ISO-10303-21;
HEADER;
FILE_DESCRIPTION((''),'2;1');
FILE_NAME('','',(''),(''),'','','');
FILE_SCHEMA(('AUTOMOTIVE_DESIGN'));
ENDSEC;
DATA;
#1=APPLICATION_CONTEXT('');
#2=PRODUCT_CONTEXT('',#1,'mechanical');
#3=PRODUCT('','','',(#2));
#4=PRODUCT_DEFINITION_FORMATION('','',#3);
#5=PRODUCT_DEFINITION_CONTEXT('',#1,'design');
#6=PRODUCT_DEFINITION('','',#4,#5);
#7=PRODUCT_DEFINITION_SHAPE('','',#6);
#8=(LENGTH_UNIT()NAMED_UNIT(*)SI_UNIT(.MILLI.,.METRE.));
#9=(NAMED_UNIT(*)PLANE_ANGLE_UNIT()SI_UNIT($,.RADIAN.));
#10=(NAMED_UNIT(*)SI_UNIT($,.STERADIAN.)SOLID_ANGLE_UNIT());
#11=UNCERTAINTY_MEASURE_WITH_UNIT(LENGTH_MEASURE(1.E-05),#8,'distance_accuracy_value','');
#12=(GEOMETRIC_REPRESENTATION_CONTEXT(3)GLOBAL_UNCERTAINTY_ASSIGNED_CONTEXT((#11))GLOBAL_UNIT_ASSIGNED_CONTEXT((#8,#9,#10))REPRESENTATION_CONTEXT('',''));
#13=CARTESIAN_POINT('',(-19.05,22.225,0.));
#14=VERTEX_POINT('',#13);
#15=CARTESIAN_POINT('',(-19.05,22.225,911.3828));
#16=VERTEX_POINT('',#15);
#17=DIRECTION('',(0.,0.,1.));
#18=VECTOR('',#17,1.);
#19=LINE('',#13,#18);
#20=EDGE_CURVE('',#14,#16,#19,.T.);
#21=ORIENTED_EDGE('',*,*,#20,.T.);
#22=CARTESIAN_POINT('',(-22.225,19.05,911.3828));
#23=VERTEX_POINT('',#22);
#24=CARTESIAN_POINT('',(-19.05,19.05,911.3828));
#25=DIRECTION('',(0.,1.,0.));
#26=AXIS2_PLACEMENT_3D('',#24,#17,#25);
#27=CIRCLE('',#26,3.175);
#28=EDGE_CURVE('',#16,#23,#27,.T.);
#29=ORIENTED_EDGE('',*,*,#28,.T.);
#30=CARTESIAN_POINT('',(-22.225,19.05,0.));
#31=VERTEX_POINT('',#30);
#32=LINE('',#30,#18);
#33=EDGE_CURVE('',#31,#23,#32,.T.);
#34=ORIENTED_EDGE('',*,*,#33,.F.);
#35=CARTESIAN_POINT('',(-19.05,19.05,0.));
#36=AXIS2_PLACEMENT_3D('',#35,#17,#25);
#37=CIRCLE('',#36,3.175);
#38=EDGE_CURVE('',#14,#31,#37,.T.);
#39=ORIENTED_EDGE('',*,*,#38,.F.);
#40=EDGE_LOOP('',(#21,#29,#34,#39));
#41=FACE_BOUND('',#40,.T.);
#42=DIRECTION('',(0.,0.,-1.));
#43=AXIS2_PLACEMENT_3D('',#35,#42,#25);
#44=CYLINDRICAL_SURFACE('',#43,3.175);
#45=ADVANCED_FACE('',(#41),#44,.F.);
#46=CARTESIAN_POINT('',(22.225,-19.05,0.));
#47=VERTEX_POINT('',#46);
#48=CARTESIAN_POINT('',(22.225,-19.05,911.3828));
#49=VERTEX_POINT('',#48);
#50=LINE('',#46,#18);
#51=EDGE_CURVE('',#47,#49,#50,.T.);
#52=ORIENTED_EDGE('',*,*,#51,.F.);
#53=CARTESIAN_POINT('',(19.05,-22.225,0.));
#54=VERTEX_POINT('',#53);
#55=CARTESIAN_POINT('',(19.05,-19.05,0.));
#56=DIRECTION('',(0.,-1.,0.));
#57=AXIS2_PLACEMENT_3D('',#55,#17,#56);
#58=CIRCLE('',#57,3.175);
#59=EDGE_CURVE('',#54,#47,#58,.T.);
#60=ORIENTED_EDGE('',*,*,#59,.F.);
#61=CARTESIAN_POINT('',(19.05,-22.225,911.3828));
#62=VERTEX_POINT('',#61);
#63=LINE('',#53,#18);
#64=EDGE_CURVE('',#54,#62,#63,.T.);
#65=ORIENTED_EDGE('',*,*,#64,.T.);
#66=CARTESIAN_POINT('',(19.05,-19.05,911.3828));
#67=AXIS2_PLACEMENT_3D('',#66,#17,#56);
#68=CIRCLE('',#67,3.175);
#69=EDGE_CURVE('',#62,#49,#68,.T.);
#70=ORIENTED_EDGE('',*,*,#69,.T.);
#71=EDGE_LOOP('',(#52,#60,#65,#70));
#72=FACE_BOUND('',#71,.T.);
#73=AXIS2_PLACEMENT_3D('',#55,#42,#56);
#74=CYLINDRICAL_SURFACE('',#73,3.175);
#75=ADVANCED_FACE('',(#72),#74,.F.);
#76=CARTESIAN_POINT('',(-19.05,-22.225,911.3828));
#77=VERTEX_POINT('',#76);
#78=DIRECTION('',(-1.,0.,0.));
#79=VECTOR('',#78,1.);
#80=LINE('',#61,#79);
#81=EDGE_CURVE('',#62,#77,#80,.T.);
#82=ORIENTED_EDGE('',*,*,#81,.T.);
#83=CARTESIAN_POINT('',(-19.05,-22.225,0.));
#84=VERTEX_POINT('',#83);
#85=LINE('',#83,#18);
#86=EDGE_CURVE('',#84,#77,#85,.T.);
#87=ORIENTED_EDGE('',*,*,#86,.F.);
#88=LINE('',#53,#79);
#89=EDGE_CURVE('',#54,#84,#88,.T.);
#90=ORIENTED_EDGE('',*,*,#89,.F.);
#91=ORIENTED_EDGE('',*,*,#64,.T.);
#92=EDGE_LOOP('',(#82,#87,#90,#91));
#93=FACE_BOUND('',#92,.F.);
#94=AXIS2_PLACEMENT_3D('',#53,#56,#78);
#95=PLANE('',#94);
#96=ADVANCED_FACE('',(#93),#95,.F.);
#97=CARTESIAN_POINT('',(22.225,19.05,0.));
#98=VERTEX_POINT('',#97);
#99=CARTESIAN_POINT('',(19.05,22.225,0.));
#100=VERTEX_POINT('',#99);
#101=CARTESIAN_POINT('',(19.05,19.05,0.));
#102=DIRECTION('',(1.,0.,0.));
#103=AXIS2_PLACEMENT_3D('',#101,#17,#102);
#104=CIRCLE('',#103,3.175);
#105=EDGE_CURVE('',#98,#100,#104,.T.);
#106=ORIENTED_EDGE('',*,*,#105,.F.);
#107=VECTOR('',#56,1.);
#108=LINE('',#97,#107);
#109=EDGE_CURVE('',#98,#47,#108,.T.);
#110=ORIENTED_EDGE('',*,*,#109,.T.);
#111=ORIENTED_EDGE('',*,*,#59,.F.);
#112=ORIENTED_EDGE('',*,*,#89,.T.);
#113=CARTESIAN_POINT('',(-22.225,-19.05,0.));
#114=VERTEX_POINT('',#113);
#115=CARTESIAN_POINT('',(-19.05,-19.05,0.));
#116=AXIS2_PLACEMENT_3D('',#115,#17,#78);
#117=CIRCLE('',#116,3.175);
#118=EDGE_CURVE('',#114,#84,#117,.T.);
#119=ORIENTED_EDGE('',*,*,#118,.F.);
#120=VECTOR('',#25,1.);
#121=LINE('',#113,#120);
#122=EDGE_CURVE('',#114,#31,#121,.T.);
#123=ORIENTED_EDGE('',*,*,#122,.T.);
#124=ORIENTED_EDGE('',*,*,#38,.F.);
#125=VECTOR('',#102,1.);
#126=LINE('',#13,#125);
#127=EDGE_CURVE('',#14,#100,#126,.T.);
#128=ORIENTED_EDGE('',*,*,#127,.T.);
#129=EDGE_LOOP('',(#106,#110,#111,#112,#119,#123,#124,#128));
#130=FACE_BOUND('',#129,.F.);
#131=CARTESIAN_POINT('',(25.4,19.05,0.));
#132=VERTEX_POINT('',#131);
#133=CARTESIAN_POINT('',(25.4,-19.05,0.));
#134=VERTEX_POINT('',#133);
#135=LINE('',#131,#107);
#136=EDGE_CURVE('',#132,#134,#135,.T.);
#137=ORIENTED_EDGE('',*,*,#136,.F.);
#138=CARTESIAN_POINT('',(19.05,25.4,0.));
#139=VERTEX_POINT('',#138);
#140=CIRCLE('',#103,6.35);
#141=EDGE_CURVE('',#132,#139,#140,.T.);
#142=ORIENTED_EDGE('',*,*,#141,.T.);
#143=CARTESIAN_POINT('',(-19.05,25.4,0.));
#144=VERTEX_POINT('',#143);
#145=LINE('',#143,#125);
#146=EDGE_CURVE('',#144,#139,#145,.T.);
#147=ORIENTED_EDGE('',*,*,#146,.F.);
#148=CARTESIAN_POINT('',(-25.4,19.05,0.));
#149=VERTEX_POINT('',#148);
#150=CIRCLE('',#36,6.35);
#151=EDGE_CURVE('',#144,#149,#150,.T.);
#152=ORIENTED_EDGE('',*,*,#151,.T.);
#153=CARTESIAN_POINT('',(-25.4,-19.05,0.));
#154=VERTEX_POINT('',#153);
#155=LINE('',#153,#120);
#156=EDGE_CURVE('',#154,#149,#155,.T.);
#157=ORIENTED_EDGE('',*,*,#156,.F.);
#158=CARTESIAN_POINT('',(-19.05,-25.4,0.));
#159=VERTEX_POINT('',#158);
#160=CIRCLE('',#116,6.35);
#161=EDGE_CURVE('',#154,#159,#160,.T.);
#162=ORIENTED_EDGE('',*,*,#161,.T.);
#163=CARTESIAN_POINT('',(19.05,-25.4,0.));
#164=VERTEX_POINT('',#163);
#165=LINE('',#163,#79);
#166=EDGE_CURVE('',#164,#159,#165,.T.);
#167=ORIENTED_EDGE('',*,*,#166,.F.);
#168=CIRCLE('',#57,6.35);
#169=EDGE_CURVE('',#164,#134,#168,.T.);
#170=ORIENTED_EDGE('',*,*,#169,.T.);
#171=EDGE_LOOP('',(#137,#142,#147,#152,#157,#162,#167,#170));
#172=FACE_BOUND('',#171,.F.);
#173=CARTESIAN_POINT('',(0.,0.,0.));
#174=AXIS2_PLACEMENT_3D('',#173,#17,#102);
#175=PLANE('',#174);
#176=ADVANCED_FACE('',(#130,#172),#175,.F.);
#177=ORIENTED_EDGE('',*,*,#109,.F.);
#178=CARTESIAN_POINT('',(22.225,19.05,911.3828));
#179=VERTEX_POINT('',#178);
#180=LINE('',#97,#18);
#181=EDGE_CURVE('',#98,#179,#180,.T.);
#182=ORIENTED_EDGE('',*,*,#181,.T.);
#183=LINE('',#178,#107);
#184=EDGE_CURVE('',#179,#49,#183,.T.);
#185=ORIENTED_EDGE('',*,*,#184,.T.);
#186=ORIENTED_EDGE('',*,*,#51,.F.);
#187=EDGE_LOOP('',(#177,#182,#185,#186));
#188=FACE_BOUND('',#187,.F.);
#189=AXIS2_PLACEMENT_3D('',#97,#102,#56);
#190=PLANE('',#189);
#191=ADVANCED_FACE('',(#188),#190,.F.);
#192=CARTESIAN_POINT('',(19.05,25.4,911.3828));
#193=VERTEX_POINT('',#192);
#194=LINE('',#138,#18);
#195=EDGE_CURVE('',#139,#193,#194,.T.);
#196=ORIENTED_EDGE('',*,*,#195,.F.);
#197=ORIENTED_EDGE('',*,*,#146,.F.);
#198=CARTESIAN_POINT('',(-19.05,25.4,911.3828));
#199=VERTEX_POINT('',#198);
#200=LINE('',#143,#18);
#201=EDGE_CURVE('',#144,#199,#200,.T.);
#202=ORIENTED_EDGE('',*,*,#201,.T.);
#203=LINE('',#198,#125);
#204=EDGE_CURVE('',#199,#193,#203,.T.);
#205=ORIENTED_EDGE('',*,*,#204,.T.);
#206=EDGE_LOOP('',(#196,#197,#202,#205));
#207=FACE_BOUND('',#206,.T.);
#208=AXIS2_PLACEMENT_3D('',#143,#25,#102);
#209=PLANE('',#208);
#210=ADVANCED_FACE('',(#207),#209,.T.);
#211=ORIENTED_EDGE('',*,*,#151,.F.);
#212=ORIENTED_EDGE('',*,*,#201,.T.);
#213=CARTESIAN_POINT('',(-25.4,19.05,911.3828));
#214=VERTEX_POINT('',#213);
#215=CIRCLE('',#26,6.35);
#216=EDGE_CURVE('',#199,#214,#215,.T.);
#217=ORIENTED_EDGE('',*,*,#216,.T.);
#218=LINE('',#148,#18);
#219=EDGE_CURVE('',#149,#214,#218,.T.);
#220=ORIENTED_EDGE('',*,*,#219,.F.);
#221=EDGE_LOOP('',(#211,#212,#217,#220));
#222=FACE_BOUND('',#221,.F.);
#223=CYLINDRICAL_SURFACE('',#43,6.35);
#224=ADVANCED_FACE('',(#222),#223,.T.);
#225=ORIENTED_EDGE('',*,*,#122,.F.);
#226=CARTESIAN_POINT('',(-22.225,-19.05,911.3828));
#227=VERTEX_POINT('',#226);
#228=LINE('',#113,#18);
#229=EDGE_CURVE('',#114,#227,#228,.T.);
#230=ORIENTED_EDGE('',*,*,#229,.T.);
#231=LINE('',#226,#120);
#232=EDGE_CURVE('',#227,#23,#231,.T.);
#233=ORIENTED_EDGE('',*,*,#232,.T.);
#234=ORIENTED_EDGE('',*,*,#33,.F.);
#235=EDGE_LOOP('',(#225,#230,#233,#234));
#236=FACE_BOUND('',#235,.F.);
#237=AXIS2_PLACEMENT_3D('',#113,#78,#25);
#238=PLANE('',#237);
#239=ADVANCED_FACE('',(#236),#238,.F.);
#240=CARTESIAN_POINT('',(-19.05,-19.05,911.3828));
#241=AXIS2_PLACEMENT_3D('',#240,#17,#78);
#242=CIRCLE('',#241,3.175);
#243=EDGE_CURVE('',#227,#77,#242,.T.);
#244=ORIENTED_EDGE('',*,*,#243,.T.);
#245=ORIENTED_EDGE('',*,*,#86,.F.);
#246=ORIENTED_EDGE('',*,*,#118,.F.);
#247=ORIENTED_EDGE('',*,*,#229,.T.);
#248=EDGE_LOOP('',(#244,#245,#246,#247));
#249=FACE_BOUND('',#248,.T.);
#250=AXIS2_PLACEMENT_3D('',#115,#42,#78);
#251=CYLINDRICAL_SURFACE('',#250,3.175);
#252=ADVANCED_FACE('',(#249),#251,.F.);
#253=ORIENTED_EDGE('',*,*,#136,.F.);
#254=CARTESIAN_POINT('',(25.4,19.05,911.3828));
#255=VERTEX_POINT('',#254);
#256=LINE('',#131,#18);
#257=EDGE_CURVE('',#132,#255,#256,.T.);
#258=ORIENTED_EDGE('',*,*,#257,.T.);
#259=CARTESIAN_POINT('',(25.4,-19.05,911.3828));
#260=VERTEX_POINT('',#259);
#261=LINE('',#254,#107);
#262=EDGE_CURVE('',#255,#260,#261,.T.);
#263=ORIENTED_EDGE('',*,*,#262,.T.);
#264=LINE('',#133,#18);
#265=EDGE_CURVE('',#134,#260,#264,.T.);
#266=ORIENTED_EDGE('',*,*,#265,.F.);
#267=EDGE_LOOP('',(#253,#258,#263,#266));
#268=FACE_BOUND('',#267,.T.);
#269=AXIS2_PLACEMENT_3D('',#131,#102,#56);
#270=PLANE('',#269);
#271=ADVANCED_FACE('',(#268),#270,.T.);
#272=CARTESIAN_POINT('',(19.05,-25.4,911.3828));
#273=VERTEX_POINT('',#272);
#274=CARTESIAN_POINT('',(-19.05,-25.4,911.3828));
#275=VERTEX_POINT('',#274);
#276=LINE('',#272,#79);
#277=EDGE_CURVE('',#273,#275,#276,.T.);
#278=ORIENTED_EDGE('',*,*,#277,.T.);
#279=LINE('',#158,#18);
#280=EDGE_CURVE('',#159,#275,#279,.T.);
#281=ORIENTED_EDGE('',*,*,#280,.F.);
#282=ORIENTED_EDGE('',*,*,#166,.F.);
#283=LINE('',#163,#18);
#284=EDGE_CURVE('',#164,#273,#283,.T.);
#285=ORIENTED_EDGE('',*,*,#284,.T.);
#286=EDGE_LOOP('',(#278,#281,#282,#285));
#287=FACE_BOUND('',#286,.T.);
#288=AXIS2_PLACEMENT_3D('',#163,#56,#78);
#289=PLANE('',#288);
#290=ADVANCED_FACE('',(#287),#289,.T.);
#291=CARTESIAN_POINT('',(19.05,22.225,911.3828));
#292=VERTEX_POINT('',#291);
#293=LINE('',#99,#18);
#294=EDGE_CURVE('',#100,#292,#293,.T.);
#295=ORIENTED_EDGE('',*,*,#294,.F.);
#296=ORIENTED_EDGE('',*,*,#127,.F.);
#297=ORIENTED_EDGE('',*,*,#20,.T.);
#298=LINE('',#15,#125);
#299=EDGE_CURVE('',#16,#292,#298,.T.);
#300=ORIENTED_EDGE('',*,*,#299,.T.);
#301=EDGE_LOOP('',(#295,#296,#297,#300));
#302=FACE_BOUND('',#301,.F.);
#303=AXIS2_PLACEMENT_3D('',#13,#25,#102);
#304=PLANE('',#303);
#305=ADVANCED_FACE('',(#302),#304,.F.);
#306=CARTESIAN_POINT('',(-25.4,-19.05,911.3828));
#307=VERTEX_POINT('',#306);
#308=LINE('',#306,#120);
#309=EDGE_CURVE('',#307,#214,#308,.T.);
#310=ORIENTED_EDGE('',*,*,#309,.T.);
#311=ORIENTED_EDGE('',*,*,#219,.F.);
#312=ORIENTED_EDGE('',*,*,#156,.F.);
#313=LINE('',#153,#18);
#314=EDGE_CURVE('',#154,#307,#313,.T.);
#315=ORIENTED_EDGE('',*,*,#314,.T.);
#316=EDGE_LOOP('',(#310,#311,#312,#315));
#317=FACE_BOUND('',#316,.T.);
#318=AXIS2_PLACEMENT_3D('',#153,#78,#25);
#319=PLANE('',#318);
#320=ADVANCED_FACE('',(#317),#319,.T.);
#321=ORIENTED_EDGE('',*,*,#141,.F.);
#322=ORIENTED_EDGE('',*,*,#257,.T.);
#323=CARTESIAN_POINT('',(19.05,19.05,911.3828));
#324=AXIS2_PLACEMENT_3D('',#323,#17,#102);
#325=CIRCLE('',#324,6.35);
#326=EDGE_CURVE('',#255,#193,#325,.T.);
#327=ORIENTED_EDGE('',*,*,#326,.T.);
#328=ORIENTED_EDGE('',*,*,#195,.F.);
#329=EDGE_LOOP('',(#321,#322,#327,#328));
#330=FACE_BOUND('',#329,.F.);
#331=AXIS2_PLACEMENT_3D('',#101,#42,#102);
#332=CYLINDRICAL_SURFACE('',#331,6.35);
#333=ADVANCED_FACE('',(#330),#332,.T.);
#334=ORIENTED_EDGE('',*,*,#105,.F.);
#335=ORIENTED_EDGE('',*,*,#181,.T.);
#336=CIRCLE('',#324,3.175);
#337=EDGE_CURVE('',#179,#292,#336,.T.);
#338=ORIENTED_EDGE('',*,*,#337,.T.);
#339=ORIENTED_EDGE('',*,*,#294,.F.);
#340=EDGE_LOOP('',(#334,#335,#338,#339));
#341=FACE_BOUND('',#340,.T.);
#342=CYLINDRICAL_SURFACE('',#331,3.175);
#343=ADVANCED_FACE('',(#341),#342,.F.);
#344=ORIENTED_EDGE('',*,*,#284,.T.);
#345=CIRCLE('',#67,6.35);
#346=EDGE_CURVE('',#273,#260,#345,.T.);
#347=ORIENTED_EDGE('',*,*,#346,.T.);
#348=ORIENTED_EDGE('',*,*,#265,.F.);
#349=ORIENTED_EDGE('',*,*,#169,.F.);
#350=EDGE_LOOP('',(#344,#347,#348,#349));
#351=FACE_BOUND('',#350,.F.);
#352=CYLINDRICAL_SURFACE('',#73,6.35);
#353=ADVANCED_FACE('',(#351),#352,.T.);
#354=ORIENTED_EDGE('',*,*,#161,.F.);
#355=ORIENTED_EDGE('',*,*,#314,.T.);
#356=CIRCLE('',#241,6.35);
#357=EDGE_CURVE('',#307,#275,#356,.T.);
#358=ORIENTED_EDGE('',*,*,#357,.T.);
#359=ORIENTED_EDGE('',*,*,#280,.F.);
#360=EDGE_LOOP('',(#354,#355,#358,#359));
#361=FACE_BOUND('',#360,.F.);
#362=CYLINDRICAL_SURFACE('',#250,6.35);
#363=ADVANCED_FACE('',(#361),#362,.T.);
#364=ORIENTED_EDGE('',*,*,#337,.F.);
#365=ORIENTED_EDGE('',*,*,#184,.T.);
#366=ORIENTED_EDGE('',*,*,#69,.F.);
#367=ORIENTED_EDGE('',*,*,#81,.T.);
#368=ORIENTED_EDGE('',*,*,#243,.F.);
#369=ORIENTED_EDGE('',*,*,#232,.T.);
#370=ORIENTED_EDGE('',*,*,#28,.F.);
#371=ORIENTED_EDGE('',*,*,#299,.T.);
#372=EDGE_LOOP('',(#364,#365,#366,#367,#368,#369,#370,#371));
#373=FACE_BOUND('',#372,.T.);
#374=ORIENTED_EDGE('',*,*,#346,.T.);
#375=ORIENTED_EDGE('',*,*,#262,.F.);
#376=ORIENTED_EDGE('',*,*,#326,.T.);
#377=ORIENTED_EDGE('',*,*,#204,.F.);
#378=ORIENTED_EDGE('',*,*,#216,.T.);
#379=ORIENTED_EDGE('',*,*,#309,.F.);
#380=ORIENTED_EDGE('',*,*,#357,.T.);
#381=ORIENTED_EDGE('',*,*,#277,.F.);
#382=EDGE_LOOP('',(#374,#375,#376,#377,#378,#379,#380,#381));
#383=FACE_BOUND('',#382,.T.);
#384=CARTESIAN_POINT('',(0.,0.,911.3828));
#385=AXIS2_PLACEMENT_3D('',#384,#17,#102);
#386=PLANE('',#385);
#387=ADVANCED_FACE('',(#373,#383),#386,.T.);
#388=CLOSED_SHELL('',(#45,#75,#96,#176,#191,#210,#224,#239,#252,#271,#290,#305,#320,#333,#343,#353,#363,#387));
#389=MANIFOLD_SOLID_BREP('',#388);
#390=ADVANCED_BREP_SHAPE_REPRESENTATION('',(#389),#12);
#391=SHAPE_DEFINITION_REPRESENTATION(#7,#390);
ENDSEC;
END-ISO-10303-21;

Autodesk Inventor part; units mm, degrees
ref_plane "YZ Plane" through (0, 0, 0) normal (1, 0, 0) x (0, 1, 0)
ref_plane "Start plane" through (0, 0, 0) normal (0, 0, 1) x (1, 0, 0)
ref_plane "End plane" through (0, 0, 911.3828) normal (0, 0, 1) x (1, 0, 0)
sketch "Sketch" plane through (0, 0, 0) normal (0, 0, 1) x (1, 0, 0)
  line L0 (-25.4, -19.05) -> (-25.4, 19.05)
  line L1 (-19.05, 25.4) -> (19.05, 25.4)
  line L2 (25.4, 19.05) -> (25.4, -19.05)
  line L3 (19.05, -25.4) -> (-19.05, -25.4)
  arc A0 (-25.4, -19.05) -> (-19.05, -25.4) centre (-19.05, -19.05) ccw
  arc A1 (-19.05, 25.4) -> (-25.4, 19.05) centre (-19.05, 19.05) ccw
  arc A2 (25.4, 19.05) -> (19.05, 25.4) centre (19.05, 19.05) ccw
  arc A3 (19.05, -25.4) -> (25.4, -19.05) centre (19.05, -19.05) ccw
  arc A4 (-19.05, 22.225) -> (-22.225, 19.05) centre (-19.05, 19.05) ccw
  line L4 (-19.05, 22.225) -> (19.05, 22.225)
  arc A5 (22.225, 19.05) -> (19.05, 22.225) centre (19.05, 19.05) ccw
  line L5 (22.225, 19.05) -> (22.225, -19.05)
  arc A6 (19.05, -22.225) -> (22.225, -19.05) centre (19.05, -19.05) ccw
  line L6 (19.05, -22.225) -> (-19.05, -22.225)
  arc A7 (-22.225, -19.05) -> (-19.05, -22.225) centre (-19.05, -19.05) ccw
  line L7 (-22.225, -19.05) -> (-22.225, 19.05)
  line L8 (0, 37.4012) -> (0, -37.4012) construction
  line L9 (-37.4012, 0) -> (37.4012, 0) construction
  dimension "d10" = 50.8
  dimension "d11" = 50.8
  dimension "d12" = 3.175
  dimension "d15" = 25.4
  dimension "d16" = 25.4
  dimension "d17" = 6.35
extrude "Body" add sketch "Sketch" along normal up to surface (911.3828 mm away) from surface at 0
sketch "Sketch3" plane through (0, 0, 0) normal (0, 0, 1) x (1, 0, 0)
  line L0 (0, 0) -> (10, 0)
ref_plane "Work Plane3" through (0, 0, 0) normal (0, -1, 0) x (1, 0, 0)
sketch "Sketch4" plane through (0, 0, 0) normal (0, -1, 0) x (1, 0, 0)
  line L0 (-2, 0) -> (12, 0)
  line L1 (-2, 911.3828) -> (12, 911.3828)
  dimension "d19" = 911.3828
equation "\"d10\" = G_H"
equation "\"d11\" = G_W"
equation "\"d12\" = G_T"
equation "\"d15\" = 0.5 * d10"
equation "\"d16\" = 0.5 * d11"
equation "\"d17\" = G_IR"
equation "\"d3\" = G_L"
equation "\"G_W\" = 50.8"
equation "\"G_H\" = 50.8"
equation "\"G_T\" = 3.175"
equation "\"G_IR\" = 6.35"
equation "\"G_L\" = d19"
equation "\"G_OFFSET_START\" = 0"
equation "\"G_OFFSET_END\" = 0"
equation "\"d14\" = G_OFFSET_END + B_L"
equation "\"B_L\" = 911.38277"
properties part number "AISC HSS - 2 x 2 x 1/8 - 35.881" material "Steel, Mild"
